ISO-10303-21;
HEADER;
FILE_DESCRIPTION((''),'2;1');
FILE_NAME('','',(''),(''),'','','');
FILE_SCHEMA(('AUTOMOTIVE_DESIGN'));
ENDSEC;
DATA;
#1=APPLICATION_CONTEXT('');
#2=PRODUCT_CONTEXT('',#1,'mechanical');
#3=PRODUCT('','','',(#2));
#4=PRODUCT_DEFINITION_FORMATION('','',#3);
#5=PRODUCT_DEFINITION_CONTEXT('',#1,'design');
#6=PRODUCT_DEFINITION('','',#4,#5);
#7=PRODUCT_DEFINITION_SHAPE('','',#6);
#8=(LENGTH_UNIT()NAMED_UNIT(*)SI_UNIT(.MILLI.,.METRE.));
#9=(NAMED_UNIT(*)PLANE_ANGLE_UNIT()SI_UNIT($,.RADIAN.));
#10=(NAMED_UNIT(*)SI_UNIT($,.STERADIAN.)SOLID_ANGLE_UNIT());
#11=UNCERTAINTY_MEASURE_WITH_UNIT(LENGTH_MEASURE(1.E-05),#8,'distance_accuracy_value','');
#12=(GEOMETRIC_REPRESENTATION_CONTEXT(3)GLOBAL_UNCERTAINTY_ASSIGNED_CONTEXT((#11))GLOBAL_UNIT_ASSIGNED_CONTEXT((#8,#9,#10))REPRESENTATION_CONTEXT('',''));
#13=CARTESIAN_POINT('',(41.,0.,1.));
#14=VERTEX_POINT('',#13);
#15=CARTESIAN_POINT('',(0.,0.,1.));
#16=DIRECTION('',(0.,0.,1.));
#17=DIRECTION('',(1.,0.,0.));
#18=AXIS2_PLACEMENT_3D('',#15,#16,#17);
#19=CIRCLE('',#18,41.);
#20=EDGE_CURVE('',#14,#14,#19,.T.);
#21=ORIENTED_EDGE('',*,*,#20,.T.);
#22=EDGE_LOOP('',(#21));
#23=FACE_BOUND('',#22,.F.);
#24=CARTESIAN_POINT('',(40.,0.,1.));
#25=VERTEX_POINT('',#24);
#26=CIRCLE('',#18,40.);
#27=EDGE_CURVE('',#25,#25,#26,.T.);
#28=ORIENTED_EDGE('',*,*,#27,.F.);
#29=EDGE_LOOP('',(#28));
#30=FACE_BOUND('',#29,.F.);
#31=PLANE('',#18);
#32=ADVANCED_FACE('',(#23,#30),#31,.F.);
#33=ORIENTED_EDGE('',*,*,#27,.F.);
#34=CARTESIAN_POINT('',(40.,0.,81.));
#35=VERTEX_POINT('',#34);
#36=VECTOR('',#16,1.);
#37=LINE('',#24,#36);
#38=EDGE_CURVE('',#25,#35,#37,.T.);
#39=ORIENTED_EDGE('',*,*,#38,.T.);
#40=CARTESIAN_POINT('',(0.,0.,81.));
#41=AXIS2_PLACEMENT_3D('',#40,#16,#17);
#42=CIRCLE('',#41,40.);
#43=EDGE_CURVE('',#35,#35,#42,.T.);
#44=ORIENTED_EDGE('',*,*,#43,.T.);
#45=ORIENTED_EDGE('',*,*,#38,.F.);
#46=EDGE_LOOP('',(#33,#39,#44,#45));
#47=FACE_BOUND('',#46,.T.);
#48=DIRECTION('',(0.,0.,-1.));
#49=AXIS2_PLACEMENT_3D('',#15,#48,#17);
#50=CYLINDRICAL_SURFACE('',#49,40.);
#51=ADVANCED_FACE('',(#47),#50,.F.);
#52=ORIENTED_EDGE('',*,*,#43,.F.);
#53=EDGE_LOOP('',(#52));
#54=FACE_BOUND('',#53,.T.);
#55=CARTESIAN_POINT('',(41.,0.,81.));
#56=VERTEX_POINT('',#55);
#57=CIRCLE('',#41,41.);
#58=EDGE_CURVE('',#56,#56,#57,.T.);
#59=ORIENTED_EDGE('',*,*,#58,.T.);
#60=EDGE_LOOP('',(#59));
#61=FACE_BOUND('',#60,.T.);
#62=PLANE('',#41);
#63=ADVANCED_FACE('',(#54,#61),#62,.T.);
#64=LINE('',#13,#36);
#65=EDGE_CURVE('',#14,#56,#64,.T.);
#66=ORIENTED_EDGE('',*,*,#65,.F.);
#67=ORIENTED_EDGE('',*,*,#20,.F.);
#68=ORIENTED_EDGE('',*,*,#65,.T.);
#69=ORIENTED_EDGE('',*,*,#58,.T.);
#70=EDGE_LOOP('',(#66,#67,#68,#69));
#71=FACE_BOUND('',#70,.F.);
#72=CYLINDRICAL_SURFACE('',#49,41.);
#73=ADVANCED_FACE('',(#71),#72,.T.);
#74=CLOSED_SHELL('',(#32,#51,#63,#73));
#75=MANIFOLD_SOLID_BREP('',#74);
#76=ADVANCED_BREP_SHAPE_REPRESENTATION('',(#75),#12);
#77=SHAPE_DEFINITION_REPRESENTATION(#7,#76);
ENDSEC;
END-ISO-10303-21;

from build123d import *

# Parameters (mm, degrees)
CYLINDER016_R     = 40
CYLINDER016_DEPTH = 80
CYLINDER017_R     = 41
CYLINDER017_DEPTH = 80


with BuildPart() as cylinder016:
    # Cylinder016 → Cylinder016 (new body)
    with BuildSketch(Plane.XY.offset(1)):
        Circle(CYLINDER016_R)
    extrude(amount=CYLINDER016_DEPTH)


with BuildPart() as cut004:
    # Cylinder017 → Cylinder017 (new body)
    with BuildSketch(Plane.XY.offset(1)):
        Circle(CYLINDER017_R)
    extrude(amount=CYLINDER017_DEPTH)

    # Cut004: cut Cylinder016
    add(cylinder016.part, mode=Mode.SUBTRACT)


solid = cut004.part
